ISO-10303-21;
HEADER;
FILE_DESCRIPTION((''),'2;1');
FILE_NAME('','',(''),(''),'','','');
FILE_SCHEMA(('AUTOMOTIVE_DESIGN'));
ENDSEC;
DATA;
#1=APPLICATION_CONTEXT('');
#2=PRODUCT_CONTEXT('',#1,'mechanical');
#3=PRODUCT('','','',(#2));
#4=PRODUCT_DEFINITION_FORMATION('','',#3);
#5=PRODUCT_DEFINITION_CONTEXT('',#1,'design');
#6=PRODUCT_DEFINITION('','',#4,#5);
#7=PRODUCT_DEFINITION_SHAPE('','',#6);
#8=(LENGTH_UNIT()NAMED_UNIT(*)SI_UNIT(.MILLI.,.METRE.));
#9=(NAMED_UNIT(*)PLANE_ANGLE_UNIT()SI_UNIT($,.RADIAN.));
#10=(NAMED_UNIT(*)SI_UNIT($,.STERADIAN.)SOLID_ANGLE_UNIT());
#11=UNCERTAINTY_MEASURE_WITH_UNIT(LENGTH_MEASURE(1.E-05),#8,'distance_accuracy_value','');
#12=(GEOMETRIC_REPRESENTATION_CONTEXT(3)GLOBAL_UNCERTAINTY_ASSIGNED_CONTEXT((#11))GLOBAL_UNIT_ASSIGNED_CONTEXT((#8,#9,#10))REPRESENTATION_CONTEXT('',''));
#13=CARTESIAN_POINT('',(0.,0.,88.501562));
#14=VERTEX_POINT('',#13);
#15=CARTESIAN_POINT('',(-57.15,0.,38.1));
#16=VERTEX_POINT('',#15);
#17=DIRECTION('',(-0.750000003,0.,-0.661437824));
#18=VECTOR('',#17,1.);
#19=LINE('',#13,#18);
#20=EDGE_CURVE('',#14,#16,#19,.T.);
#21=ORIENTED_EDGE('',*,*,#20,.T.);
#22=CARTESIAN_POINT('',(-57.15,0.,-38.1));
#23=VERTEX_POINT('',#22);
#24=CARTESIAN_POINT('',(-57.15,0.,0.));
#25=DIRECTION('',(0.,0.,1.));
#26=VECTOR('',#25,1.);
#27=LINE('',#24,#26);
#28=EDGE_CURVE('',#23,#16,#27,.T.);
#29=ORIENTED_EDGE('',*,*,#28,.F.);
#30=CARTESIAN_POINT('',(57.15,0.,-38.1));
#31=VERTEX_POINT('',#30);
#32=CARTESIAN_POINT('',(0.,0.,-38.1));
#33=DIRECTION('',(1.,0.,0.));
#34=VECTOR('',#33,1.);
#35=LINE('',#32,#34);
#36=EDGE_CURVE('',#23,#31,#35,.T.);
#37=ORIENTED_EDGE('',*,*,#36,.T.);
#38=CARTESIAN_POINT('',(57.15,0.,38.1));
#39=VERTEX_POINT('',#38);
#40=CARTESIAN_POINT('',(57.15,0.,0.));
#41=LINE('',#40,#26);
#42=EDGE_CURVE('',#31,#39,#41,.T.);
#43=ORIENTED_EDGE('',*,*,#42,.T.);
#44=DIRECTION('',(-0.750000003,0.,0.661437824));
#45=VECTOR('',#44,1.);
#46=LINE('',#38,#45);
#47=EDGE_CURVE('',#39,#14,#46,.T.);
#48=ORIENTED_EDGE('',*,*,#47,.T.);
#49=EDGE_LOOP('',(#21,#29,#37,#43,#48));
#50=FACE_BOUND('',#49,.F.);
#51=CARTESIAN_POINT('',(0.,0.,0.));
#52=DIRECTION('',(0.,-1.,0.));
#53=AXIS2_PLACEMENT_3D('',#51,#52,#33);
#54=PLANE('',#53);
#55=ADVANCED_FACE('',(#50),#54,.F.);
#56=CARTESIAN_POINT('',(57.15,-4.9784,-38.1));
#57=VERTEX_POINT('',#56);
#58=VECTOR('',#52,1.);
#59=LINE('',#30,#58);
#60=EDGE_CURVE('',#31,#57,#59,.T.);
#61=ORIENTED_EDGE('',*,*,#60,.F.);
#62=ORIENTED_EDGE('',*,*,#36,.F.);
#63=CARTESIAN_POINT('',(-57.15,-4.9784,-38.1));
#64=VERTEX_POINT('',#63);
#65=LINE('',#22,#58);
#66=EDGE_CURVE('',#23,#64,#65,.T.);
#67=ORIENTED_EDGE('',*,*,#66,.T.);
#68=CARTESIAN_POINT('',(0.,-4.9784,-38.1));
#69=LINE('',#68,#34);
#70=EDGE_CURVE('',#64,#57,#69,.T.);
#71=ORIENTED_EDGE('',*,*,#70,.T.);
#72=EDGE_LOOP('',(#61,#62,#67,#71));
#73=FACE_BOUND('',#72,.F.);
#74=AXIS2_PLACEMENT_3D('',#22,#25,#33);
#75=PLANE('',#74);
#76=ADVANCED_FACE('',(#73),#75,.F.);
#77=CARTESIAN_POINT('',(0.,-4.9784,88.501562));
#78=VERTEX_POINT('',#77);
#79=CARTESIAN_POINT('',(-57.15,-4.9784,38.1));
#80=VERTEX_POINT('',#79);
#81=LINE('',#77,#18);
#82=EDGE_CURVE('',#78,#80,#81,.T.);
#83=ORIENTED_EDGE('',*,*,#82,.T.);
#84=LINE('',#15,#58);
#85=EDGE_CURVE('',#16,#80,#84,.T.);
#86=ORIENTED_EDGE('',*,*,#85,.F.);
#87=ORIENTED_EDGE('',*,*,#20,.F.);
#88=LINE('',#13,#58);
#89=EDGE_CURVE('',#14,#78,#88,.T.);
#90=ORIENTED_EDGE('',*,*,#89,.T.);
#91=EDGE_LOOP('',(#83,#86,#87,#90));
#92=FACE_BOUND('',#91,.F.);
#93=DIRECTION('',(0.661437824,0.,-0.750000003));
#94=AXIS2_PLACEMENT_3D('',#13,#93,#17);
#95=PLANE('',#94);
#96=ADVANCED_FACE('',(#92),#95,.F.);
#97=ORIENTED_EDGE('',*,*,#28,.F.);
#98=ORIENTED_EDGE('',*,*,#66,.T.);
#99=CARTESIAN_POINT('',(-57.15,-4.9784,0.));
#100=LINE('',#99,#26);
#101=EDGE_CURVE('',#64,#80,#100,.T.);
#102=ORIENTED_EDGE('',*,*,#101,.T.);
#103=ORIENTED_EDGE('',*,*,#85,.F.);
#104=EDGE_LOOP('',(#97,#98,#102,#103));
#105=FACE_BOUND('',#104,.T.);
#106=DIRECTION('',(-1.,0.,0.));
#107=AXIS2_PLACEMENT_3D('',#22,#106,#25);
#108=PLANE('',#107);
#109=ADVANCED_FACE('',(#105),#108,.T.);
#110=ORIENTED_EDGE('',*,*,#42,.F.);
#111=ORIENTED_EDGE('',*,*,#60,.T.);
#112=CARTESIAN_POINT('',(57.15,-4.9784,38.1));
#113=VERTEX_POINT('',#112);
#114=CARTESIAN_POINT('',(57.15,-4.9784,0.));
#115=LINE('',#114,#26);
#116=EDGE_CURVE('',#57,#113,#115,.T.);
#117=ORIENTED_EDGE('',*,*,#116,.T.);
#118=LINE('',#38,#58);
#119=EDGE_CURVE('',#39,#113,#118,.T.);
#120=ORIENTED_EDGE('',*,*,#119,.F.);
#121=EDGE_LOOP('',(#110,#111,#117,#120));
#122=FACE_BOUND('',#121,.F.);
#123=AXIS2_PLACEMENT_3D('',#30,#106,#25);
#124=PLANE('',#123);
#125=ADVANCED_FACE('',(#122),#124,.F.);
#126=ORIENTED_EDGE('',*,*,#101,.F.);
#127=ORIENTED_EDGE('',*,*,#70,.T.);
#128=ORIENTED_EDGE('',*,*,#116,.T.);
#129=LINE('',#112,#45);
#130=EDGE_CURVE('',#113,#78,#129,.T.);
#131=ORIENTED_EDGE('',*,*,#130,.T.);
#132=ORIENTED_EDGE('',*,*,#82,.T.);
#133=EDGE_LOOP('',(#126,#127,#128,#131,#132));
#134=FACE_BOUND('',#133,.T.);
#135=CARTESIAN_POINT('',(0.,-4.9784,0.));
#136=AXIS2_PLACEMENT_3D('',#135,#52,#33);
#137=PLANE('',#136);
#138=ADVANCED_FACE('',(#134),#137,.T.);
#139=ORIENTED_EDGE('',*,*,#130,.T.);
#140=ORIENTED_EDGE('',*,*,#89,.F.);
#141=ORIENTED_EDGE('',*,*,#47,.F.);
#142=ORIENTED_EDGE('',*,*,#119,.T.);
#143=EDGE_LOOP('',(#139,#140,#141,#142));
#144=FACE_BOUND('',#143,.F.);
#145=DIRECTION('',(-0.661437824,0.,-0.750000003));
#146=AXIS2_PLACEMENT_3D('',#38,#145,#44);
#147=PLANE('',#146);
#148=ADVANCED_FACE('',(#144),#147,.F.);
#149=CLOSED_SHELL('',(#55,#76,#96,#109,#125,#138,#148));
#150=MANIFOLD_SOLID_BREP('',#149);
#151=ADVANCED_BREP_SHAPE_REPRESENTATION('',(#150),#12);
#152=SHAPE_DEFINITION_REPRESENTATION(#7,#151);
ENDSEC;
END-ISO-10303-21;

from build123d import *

# Parameters (mm, degrees)
F0_W     = 114.3
F0_H     = 76.2
F1_DEPTH = 4.9784


with BuildPart() as f1:
    # F0 (on Front) → F1 (new body)
    with BuildSketch(Plane.XZ):
        Rectangle(F0_W, F0_H)
        Polygon((-57.15, 38.1), (57.15, 38.1), (0, 88.501562), align=None)
    extrude(amount=F1_DEPTH)


solid = f1.part
